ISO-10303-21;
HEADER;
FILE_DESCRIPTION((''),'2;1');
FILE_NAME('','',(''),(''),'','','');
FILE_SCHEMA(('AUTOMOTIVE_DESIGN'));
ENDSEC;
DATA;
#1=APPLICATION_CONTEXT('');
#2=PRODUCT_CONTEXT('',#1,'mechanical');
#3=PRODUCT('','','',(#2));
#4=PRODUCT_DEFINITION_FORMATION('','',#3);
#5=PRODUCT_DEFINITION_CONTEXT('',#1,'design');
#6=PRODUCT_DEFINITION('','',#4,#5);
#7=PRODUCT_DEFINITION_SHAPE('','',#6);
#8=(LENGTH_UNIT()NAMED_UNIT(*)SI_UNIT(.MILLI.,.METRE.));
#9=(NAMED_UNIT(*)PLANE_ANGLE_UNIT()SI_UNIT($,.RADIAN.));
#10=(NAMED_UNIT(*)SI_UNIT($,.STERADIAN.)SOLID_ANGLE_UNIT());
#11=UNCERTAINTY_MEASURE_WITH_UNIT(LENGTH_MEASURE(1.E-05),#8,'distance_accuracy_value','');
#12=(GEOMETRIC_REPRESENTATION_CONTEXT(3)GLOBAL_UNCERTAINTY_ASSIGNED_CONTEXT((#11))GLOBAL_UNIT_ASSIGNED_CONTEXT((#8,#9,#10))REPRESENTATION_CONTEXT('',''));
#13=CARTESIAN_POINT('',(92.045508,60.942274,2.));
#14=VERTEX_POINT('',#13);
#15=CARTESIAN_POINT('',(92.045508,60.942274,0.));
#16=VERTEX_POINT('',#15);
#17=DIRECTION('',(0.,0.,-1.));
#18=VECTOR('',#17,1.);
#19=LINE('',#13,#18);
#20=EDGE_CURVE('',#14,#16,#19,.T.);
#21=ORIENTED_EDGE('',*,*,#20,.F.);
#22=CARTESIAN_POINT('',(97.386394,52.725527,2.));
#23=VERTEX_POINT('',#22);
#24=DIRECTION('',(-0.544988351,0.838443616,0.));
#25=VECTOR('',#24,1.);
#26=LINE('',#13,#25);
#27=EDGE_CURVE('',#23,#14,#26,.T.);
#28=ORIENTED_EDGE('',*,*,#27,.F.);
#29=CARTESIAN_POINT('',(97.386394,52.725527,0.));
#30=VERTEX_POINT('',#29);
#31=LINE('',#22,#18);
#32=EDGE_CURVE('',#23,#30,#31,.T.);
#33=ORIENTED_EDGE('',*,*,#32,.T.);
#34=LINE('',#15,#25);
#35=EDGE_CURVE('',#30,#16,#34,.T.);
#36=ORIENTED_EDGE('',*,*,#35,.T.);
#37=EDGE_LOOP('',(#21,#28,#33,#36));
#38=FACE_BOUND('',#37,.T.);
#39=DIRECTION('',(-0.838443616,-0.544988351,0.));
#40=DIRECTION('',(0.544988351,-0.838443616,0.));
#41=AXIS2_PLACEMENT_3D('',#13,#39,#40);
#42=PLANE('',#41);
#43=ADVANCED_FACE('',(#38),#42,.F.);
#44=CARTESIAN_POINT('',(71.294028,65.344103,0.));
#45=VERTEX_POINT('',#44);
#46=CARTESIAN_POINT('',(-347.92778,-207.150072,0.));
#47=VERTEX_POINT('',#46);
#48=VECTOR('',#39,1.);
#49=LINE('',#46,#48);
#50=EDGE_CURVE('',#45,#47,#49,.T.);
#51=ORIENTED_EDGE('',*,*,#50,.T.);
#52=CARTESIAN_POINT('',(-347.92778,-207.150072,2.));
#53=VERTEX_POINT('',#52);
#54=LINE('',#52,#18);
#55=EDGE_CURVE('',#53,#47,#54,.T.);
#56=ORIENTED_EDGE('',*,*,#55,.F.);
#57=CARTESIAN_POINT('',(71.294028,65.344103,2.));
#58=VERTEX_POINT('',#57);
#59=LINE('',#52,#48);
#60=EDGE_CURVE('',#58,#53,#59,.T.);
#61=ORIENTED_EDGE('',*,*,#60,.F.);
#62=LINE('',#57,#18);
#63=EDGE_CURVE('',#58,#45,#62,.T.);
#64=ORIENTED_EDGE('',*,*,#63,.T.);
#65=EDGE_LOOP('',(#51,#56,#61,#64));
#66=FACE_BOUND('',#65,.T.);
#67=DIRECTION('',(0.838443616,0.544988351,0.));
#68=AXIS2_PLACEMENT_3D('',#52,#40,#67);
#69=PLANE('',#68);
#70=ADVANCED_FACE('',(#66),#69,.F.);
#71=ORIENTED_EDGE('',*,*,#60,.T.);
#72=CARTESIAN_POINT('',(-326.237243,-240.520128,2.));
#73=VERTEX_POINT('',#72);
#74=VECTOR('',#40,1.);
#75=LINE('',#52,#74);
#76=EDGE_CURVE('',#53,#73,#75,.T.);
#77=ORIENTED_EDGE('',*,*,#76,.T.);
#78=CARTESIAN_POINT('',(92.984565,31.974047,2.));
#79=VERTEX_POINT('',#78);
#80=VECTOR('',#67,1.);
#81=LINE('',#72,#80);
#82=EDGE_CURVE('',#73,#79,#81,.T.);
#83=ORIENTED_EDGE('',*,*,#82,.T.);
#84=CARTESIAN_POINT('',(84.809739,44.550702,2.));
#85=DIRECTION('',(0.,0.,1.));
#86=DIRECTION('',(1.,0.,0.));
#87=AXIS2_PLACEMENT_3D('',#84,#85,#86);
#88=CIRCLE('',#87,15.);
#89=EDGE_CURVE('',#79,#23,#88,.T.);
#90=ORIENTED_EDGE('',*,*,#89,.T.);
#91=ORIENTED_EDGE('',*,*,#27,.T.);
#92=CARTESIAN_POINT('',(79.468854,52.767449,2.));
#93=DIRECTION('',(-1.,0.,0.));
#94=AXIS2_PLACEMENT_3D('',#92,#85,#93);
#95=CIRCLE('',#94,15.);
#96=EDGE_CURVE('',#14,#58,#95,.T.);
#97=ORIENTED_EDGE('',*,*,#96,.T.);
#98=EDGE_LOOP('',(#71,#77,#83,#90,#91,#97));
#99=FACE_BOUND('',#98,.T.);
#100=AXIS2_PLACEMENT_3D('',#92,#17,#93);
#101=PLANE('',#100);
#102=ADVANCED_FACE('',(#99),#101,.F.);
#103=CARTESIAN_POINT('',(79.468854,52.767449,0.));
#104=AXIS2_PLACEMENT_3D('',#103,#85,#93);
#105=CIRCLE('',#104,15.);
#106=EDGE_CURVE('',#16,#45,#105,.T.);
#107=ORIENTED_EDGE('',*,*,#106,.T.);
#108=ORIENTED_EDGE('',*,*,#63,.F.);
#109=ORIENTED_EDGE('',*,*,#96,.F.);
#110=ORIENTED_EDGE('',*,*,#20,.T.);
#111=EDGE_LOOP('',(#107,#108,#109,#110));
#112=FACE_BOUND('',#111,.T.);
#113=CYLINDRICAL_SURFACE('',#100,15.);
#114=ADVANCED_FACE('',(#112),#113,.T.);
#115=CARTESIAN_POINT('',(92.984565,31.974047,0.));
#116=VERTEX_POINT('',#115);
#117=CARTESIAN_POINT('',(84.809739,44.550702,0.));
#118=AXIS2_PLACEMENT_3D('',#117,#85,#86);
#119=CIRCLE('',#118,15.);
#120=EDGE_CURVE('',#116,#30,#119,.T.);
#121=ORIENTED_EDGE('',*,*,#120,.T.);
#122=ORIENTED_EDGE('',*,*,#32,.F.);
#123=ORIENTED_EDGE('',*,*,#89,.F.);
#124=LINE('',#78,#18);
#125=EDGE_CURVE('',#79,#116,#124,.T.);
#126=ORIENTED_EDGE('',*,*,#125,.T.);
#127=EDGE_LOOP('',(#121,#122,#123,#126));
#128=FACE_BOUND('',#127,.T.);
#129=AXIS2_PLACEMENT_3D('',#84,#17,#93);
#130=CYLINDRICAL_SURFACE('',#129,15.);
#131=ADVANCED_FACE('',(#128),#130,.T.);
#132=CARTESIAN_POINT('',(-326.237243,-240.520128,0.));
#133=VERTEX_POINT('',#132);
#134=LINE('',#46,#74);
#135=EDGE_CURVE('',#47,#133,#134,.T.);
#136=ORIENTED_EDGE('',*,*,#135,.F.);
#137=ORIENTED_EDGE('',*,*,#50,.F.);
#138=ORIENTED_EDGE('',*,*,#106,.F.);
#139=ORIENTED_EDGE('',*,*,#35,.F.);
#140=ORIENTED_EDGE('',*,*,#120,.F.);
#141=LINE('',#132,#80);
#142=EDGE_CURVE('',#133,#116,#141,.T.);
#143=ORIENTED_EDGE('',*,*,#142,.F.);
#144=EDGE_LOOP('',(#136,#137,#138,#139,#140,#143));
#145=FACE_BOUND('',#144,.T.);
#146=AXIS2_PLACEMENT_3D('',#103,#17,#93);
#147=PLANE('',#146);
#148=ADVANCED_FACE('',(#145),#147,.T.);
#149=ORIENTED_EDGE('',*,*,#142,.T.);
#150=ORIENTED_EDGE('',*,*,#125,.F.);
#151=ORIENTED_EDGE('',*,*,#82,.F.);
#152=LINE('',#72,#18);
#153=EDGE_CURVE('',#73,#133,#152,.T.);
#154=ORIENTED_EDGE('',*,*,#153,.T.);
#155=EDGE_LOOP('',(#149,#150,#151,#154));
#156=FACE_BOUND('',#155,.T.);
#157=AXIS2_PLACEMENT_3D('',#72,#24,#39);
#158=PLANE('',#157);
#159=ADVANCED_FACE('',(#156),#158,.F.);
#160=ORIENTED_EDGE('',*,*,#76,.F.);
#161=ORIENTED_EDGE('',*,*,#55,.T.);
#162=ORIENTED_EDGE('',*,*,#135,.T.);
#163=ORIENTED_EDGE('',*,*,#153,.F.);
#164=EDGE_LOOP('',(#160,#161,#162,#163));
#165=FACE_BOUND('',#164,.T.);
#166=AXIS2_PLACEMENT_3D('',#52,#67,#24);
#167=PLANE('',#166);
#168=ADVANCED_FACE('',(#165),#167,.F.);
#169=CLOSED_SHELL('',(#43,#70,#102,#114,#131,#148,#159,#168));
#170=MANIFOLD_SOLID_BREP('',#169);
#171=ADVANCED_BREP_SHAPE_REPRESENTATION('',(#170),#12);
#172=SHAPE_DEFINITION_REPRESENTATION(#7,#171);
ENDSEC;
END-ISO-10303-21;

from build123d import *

# Parameters (mm, degrees)
BOSS_EXTRUDE1_DEPTH = 2


with BuildPart() as part:
    # Sketch2 → Boss-Extrude1 (new body)
    with BuildSketch(Plane.XY):
        with BuildLine():
            Line((-347.927779836, -207.150072061), (-326.237243483, -240.52012799))
            Line((-326.237243483, -240.52012799), (92.984564668, 31.974047308))
            ThreePointArc((92.984564668, 31.974047308), (99.483251285, 41.438138427), (97.386393653, 52.725526811))
            Line((97.386393653, 52.725526811), (92.045507817, 60.942274251))
            ThreePointArc((92.045507817, 60.942274251), (82.581416698, 67.440960868), (71.294028314, 65.344103236))
            Line((71.294028314, 65.344103236), (-347.927779836, -207.150072061))
        make_face()
    extrude(amount=BOSS_EXTRUDE1_DEPTH)


solid = part.part
